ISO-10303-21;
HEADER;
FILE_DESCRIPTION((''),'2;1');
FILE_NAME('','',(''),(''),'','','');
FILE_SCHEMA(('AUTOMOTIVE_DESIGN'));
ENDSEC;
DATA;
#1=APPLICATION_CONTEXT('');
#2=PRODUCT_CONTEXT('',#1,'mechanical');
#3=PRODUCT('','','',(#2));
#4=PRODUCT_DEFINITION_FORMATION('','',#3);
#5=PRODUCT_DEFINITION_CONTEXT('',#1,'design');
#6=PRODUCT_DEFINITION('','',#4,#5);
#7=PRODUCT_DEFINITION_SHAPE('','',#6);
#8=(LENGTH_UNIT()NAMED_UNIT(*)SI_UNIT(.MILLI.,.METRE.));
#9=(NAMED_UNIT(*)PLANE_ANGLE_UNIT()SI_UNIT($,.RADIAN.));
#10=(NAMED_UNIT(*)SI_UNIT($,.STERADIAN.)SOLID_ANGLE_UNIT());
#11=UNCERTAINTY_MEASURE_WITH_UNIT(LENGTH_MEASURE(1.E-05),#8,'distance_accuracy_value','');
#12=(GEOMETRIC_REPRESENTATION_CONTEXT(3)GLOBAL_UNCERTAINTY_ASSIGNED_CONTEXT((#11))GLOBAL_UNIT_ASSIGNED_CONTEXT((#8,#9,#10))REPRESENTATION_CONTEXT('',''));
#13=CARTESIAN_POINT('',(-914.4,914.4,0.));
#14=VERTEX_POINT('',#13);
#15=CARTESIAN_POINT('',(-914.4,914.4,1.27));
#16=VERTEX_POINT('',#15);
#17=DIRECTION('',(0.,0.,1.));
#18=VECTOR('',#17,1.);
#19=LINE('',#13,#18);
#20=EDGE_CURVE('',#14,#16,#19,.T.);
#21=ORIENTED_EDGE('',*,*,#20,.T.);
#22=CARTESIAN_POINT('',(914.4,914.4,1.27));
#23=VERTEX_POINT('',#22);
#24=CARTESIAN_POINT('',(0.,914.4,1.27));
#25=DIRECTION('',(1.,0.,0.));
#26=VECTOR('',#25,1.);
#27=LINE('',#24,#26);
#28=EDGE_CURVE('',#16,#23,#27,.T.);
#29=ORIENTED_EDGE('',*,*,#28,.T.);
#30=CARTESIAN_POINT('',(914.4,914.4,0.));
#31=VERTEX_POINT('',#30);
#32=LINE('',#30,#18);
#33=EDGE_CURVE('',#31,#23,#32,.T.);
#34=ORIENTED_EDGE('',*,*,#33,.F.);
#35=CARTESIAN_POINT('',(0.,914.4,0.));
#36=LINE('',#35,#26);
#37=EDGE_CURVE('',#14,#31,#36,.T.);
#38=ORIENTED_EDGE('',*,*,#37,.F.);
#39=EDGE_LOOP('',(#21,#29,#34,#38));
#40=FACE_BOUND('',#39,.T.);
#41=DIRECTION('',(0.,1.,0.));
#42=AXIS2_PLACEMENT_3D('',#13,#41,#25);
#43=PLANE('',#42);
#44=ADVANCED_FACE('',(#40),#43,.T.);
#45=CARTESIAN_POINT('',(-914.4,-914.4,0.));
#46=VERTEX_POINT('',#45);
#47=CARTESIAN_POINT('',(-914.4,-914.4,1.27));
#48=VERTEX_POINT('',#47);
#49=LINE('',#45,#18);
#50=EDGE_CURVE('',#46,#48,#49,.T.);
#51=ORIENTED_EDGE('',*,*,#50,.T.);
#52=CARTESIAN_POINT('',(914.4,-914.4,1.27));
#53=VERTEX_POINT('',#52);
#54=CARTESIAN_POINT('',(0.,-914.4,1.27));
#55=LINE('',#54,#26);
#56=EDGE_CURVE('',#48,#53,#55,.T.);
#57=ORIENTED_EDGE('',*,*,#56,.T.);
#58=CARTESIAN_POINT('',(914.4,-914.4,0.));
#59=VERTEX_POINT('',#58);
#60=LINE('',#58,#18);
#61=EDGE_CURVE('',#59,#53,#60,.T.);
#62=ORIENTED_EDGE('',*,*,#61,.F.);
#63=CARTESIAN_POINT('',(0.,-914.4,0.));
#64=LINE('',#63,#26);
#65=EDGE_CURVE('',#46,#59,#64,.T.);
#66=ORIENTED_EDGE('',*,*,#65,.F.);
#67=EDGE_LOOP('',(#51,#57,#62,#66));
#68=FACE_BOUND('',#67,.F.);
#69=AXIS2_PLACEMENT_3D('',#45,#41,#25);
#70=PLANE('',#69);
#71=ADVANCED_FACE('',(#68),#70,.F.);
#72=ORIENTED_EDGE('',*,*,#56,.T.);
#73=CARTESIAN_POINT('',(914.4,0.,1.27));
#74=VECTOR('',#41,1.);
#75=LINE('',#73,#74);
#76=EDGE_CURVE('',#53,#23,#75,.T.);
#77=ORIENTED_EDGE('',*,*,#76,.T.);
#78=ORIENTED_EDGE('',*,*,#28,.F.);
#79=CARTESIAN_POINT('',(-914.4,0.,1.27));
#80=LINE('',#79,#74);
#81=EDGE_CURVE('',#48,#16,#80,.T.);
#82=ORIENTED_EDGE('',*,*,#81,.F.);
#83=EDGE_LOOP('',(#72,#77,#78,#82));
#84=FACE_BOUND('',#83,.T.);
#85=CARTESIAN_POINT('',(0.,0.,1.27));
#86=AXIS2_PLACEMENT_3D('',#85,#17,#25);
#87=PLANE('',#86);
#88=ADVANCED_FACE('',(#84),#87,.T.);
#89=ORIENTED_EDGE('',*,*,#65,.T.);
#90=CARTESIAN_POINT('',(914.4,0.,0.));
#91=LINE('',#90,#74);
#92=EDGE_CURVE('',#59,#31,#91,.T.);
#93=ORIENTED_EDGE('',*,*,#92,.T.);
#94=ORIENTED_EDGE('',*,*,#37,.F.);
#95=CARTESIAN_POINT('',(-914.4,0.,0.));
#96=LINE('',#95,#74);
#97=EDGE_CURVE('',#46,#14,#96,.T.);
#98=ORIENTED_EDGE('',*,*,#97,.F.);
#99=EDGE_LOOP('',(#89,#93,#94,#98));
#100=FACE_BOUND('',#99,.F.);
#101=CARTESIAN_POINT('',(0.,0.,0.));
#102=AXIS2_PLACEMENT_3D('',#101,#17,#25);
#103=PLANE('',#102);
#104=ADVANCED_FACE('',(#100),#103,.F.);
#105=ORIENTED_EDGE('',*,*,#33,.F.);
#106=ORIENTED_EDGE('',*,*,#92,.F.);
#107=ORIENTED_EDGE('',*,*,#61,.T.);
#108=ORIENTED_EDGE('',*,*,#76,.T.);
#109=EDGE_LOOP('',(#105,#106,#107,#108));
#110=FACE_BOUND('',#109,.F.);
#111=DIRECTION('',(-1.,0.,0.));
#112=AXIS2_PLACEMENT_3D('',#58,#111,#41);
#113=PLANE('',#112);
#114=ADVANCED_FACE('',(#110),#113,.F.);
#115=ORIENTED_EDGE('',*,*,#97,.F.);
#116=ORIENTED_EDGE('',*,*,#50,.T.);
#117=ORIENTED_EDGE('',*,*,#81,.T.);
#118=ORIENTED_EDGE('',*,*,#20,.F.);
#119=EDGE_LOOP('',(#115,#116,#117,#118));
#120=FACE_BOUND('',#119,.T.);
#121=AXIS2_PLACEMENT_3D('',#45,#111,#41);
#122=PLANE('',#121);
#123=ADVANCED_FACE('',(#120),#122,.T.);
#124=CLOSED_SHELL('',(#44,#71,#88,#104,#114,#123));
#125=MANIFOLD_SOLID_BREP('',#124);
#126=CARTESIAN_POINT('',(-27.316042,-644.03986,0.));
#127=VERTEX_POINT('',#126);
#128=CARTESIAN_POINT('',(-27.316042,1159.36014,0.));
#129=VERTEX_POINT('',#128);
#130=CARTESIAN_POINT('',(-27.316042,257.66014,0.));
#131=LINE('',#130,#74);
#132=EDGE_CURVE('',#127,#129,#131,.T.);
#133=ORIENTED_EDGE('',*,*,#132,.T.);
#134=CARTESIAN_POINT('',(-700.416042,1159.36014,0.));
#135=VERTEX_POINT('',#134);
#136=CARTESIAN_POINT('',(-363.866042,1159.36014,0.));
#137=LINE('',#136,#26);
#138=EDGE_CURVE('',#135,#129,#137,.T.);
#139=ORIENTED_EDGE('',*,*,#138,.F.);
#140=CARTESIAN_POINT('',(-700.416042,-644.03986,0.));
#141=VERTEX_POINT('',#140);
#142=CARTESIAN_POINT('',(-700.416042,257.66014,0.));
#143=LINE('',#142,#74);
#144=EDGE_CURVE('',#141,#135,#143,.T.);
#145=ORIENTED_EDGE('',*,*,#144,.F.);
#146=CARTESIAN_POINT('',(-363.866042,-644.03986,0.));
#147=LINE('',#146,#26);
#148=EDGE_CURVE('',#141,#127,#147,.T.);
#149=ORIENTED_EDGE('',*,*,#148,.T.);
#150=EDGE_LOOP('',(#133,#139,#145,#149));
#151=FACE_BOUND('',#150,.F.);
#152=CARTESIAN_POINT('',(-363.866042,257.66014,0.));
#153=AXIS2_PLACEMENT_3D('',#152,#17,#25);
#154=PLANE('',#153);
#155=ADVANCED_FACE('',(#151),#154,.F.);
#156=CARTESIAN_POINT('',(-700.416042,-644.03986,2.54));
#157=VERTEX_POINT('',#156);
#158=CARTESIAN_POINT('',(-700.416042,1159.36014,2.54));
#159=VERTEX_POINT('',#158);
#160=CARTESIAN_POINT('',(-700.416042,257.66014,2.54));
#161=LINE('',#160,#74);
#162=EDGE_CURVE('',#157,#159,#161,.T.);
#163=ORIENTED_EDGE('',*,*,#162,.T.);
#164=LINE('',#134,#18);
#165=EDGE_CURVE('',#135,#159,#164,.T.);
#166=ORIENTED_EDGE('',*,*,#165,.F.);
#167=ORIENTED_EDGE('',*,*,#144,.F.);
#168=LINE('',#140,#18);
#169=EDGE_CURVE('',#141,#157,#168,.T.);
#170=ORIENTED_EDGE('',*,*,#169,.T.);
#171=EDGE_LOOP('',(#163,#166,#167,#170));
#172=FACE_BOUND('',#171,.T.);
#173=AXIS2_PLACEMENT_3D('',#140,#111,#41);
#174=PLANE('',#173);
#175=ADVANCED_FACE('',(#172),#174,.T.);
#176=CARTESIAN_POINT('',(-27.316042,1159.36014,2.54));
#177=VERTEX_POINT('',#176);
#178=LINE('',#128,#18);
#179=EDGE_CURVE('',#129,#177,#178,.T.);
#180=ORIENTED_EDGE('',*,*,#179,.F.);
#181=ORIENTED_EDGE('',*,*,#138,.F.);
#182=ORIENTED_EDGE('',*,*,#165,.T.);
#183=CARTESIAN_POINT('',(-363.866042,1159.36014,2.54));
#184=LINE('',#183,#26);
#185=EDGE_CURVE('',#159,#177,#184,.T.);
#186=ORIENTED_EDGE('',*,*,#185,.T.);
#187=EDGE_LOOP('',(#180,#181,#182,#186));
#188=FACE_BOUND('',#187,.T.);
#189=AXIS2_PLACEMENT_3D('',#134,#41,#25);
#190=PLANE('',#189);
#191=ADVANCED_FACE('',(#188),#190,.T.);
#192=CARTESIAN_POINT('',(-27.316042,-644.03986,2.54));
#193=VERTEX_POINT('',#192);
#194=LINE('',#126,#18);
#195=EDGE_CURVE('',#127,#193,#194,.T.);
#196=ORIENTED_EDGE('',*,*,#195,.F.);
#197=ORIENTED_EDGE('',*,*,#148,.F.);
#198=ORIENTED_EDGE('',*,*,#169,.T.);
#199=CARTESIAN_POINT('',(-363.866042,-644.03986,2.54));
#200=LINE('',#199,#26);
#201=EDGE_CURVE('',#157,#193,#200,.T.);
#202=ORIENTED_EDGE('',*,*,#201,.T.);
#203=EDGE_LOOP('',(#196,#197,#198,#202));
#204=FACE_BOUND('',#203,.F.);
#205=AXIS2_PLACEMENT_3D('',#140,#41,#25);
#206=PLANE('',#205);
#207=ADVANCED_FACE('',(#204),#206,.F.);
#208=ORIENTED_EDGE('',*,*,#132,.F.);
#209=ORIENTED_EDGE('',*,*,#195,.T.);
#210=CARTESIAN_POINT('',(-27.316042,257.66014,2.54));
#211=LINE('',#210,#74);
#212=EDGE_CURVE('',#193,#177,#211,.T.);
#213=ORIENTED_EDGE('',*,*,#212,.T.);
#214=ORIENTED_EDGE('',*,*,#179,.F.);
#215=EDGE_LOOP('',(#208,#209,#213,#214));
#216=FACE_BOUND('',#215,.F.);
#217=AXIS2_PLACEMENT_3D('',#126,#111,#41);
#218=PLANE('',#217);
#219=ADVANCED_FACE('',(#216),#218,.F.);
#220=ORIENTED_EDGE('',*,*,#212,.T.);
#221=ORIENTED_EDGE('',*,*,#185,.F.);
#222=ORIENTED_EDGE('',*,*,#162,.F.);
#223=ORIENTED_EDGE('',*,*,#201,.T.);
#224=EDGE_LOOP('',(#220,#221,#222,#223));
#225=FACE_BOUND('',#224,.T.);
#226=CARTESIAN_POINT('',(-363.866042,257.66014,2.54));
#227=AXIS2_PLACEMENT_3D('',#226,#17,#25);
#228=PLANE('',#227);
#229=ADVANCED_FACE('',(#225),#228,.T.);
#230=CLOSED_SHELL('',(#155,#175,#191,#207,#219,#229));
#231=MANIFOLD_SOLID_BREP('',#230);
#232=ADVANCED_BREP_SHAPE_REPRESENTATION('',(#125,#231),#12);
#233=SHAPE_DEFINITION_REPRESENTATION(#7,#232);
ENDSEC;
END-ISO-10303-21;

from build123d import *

# Parameters (mm, degrees)
F0_W     = 1828.8
F0_H     = 1828.8
F1_DEPTH = 1.27
F2_W     = 673.1
F2_H     = 1803.4
F3_DEPTH = 2.54


with BuildPart() as f1:
    # F0 (on Top) → F1 (new body)
    with BuildSketch(Plane.XY):
        Rectangle(F0_W, F0_H)
    extrude(amount=F1_DEPTH)


with BuildPart() as f3:
    # F2 (on face) → F3 (new body)
    with BuildSketch(Plane.XY):
        with Locations((-363.866042, 257.66014)):
            Rectangle(F2_W, F2_H)
    extrude(amount=F3_DEPTH)


solid = Compound([f1.part, f3.part])
